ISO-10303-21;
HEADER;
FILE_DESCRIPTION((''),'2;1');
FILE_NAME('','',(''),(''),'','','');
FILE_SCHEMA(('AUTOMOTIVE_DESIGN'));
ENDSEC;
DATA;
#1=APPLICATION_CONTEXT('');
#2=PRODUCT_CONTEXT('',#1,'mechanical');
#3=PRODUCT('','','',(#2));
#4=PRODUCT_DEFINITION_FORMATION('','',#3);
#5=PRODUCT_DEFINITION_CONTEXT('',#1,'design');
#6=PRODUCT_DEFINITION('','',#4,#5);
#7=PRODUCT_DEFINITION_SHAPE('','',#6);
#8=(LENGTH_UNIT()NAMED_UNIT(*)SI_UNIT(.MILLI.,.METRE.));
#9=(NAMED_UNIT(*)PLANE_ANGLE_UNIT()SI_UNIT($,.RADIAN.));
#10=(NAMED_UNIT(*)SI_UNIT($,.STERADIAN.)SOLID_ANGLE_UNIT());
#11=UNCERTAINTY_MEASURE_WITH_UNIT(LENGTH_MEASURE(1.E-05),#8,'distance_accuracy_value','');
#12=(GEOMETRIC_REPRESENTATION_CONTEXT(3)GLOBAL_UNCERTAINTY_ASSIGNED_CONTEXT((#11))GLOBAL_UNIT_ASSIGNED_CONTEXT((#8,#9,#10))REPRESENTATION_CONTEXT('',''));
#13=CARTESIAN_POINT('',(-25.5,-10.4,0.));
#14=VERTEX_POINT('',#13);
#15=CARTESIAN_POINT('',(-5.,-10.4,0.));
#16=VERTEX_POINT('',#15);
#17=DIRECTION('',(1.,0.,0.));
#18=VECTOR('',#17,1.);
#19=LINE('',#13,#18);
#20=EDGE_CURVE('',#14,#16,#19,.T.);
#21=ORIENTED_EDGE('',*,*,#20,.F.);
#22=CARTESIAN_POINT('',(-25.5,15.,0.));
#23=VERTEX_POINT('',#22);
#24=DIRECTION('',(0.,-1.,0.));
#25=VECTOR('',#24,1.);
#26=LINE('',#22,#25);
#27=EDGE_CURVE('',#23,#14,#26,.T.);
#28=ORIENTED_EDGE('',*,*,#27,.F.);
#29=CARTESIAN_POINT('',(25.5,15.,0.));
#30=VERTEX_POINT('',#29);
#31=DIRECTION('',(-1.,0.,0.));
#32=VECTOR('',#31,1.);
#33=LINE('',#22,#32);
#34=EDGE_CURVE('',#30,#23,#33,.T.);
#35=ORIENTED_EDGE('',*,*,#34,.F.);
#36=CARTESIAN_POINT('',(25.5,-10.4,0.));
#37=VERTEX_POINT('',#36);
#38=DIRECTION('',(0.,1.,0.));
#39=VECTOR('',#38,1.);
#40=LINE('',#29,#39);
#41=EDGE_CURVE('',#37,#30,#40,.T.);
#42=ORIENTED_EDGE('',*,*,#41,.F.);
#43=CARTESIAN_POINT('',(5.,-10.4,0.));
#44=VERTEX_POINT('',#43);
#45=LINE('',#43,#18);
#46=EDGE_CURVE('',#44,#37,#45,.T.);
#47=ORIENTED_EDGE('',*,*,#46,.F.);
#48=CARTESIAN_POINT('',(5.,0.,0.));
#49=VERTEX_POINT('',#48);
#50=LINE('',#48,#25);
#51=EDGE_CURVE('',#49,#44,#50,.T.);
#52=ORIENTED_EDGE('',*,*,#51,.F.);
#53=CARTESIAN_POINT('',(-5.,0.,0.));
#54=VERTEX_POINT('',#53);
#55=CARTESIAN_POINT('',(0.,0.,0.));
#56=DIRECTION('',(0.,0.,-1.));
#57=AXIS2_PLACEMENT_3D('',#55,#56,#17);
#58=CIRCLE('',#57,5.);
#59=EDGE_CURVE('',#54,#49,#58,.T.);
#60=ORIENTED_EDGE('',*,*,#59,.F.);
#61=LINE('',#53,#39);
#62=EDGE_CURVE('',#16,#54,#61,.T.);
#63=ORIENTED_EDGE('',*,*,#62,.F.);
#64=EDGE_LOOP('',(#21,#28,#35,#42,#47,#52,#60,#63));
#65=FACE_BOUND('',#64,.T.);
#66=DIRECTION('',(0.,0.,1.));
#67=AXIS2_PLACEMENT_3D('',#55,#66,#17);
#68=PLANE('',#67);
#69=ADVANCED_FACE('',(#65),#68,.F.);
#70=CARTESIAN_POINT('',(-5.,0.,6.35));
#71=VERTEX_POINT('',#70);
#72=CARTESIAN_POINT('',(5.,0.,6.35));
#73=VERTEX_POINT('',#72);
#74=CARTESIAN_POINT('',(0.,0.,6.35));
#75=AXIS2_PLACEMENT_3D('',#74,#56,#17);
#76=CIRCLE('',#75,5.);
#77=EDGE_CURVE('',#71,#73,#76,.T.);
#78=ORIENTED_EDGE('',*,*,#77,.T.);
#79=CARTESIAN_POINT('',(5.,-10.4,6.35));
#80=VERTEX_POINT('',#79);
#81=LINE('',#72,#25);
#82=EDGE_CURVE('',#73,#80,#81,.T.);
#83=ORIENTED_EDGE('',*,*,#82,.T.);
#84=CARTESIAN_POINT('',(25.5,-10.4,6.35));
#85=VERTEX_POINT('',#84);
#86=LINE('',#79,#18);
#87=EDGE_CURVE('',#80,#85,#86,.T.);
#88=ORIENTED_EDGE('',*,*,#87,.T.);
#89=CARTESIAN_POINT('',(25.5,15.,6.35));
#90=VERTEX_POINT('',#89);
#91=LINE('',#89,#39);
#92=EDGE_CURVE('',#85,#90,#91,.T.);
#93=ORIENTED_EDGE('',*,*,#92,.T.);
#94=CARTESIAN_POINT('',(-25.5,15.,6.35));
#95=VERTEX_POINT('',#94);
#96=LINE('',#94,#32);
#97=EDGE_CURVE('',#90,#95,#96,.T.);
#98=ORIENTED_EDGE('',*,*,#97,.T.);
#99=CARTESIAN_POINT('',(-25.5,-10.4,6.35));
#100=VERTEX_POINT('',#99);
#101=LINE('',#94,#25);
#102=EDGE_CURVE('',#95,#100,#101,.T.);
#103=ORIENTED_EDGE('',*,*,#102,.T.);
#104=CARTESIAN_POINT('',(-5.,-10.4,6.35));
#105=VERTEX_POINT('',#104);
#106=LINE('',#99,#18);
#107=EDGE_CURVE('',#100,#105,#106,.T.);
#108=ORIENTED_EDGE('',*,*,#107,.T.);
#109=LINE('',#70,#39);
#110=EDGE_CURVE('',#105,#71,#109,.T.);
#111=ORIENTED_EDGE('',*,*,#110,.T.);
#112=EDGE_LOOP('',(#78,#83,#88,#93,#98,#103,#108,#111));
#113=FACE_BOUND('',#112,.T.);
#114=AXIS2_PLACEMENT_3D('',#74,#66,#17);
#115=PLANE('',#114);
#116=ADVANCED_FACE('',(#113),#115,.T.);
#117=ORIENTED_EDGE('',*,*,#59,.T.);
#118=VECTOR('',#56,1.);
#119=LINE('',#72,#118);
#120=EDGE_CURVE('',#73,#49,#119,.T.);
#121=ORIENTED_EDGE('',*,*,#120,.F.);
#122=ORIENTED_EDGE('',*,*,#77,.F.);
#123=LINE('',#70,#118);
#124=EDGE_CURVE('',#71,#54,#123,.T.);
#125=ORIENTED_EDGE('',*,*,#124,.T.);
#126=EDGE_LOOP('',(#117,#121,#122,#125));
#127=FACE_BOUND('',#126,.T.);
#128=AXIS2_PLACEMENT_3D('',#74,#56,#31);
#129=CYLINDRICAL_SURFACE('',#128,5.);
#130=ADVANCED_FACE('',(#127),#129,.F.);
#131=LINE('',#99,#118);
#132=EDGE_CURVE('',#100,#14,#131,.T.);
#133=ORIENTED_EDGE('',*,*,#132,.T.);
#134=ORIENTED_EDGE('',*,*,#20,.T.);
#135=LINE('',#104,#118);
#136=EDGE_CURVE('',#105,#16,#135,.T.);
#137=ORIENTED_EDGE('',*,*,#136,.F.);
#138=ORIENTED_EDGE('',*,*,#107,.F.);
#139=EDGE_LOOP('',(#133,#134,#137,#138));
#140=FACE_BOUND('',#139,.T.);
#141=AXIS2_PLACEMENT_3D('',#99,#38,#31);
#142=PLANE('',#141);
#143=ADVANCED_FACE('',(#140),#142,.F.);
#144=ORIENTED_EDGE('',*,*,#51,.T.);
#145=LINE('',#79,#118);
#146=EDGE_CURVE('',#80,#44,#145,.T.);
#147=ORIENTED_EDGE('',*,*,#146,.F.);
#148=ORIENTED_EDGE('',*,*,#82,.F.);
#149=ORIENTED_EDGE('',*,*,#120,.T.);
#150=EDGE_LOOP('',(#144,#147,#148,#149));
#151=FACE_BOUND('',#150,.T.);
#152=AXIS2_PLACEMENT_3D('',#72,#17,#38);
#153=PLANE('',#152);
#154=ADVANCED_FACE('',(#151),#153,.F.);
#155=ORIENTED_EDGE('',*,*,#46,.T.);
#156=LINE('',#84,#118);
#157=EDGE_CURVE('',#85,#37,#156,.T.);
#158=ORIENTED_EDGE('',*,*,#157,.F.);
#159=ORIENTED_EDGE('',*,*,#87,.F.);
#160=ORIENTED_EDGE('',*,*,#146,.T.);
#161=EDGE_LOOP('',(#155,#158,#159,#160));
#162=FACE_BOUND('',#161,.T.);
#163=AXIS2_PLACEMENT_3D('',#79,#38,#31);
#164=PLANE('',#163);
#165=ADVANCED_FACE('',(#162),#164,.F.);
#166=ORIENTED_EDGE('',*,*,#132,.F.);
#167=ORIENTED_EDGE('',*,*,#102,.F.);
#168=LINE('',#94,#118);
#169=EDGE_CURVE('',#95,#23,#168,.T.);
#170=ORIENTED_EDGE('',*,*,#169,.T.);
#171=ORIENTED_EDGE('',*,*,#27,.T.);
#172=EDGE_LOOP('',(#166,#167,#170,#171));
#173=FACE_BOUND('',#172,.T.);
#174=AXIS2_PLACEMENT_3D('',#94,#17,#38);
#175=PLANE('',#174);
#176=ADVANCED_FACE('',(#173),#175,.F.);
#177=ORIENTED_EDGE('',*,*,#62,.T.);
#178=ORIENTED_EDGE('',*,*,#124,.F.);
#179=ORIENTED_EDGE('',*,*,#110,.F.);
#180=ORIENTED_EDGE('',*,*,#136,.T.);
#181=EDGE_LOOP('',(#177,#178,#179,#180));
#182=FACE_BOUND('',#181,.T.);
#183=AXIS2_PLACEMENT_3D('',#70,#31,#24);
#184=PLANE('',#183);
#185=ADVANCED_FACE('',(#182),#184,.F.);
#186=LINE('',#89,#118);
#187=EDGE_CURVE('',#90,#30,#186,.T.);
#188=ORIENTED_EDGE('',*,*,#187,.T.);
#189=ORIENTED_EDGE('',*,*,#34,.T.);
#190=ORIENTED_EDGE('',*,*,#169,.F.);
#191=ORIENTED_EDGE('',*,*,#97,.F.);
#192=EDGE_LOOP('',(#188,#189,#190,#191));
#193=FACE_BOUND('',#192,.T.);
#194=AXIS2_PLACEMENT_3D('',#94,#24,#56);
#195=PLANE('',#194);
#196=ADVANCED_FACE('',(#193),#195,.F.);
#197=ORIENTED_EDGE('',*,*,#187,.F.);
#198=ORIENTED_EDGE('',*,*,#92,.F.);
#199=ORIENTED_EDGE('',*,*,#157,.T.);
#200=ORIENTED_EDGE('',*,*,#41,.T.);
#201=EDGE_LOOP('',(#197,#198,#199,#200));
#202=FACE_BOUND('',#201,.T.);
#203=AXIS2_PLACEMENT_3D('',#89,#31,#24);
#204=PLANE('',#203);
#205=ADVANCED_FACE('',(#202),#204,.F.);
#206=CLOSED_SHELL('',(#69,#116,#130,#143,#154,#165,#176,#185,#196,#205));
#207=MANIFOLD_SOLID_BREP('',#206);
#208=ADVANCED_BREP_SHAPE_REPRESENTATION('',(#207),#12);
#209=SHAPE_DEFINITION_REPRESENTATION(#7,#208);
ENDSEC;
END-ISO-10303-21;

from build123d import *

# Parameters (mm, degrees)
BOSS_EXTRUDE1_DEPTH = 6.35


with BuildPart() as part:
    # Sketch1 → Boss-Extrude1 (new body)
    with BuildSketch(Plane.XY):
        with BuildLine():
            Line((-5, 0), (-5, -10.4))
            Line((-5, -10.4), (-25.5, -10.4))
            Line((-25.5, -10.4), (-25.5, 15))
            Line((-25.5, 15), (25.5, 15))
            Line((25.5, 15), (25.5, -10.4))
            Line((25.5, -10.4), (5, -10.4))
            Line((5, -10.4), (5, 0))
            ThreePointArc((5, 0), (0, 5), (-5, 0))
        make_face()
    extrude(amount=BOSS_EXTRUDE1_DEPTH)


solid = part.part
